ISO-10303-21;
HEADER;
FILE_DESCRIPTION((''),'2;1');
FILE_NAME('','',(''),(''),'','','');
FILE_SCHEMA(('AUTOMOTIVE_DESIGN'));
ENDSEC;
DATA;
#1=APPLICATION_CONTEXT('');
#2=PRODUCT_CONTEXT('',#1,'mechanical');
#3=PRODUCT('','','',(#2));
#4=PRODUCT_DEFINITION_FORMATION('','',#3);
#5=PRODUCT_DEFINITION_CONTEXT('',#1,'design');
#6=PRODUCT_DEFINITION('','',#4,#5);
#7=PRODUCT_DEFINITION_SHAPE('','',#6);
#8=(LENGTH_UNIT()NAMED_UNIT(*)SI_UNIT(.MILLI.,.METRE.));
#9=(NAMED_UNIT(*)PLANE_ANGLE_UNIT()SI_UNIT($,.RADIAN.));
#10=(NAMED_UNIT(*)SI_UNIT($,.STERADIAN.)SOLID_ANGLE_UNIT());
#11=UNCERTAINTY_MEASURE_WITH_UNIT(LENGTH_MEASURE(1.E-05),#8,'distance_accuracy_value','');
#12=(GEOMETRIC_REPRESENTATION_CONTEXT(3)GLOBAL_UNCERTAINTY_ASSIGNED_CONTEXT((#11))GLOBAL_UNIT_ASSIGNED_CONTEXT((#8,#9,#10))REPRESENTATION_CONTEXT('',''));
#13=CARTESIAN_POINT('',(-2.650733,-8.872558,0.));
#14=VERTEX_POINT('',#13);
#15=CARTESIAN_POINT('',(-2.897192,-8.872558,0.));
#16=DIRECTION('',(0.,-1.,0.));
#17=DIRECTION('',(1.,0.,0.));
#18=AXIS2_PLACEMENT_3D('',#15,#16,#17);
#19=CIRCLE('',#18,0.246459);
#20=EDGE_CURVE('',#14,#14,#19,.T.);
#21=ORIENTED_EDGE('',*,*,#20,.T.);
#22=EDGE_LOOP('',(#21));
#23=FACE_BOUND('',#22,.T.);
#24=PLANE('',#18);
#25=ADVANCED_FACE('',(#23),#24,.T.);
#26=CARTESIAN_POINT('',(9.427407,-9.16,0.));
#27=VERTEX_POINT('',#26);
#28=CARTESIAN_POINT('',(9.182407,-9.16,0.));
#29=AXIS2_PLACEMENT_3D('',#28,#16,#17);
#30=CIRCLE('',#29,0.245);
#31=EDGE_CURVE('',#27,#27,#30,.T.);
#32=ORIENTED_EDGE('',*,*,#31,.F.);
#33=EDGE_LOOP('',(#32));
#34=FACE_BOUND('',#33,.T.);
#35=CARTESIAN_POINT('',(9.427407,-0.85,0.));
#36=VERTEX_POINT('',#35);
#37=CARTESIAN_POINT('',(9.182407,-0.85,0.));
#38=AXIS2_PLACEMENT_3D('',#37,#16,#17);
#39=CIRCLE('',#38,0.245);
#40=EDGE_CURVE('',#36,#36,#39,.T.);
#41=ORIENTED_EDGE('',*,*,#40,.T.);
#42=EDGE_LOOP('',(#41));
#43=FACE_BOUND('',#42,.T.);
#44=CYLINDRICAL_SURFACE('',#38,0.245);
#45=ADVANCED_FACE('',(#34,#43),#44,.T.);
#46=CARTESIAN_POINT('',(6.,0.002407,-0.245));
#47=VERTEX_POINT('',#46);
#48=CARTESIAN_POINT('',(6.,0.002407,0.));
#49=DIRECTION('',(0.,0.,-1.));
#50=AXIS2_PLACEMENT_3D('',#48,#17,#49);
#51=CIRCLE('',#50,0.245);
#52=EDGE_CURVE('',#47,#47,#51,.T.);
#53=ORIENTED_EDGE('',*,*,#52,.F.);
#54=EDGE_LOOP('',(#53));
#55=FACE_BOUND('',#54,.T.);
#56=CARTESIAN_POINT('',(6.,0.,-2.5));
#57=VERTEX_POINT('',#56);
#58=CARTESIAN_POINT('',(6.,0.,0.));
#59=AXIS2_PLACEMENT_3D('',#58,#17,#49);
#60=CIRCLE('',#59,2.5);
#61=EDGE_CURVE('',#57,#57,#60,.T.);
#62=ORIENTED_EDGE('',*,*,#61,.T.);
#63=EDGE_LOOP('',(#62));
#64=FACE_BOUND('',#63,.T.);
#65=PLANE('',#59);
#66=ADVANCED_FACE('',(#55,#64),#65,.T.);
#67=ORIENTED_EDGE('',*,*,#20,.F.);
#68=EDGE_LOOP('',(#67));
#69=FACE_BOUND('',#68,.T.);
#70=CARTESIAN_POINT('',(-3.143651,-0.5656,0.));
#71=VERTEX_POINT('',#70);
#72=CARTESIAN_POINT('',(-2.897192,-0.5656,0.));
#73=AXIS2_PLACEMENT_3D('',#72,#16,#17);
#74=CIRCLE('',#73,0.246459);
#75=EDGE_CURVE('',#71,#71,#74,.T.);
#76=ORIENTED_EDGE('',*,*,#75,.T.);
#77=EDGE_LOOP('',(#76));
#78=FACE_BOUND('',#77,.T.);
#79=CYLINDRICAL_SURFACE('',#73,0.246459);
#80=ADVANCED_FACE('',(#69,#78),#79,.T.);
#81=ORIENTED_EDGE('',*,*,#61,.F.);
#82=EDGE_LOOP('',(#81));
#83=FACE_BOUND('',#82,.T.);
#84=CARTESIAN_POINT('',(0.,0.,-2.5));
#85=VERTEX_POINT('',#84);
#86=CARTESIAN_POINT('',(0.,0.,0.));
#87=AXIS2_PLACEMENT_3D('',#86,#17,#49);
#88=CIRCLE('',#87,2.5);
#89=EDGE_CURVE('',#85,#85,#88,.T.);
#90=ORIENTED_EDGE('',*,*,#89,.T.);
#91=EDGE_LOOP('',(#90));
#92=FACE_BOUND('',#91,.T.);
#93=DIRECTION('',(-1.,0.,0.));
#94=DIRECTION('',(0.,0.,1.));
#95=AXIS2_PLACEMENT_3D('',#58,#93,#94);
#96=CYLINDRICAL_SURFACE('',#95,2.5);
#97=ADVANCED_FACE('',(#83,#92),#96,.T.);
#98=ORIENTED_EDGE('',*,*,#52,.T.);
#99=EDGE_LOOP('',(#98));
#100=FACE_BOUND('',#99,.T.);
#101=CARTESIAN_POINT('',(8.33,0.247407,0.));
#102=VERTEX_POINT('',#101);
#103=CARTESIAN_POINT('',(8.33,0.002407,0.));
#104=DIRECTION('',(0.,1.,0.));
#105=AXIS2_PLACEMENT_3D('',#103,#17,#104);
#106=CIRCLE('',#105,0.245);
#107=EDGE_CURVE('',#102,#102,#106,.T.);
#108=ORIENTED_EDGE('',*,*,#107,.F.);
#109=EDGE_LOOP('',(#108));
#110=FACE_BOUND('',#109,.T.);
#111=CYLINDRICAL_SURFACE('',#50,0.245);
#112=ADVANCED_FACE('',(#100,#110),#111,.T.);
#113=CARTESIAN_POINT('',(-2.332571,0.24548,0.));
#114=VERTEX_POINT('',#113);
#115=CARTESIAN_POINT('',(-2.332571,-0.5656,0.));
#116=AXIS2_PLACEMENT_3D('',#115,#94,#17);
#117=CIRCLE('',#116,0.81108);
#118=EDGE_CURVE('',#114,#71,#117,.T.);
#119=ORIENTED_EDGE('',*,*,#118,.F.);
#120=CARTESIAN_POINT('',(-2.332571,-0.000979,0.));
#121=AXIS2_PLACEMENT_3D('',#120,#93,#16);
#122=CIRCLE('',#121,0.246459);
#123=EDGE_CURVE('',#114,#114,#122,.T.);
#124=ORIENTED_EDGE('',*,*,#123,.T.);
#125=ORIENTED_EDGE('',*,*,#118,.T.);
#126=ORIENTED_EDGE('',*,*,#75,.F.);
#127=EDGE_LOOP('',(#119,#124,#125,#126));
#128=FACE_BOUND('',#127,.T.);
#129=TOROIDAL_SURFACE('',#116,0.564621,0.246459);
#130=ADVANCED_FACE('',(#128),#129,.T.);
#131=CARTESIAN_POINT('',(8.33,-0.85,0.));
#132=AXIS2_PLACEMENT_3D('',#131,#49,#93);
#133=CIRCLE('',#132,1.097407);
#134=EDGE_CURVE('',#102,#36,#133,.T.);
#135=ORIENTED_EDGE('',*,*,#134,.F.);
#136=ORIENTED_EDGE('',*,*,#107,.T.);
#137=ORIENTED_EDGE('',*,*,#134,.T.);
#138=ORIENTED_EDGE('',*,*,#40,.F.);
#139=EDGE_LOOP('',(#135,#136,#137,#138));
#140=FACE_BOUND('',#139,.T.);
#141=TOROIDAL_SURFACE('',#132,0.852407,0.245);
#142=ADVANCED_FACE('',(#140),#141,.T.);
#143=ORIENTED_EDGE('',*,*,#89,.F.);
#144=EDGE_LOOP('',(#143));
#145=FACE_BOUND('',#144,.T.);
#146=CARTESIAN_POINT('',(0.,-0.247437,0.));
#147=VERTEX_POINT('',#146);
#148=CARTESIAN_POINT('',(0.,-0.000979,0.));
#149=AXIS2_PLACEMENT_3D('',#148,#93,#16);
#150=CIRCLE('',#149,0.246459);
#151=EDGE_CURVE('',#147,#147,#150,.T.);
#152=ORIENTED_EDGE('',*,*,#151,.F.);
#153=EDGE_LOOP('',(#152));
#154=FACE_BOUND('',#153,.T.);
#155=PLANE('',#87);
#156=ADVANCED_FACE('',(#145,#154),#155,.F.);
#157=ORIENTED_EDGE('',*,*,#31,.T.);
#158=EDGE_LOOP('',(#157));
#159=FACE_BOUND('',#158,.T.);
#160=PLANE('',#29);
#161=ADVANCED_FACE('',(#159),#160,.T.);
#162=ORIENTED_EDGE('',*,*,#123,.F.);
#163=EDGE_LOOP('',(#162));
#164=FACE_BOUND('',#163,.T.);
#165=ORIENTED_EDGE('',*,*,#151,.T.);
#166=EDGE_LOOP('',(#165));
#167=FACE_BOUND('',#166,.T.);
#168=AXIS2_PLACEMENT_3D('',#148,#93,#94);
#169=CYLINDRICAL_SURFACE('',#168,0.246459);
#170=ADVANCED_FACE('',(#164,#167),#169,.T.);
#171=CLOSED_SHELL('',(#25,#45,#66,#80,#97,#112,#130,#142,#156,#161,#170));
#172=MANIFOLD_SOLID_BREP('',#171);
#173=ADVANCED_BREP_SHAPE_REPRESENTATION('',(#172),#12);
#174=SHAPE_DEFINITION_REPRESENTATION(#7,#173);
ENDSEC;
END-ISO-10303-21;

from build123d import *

# Parameters (mm, degrees)
IZIM1_R                     = 2.5
Y_KSEKLIK_EKSTR_ZYON1_DEPTH = 6
IZIM5_R                     = 0.246458924
IZIM7_R                     = 0.245


with BuildPart() as part:
    # Çizim1 → Yükseklik-Ekstrüzyon1 (new body)
    with BuildSketch(Plane(origin=(0, 0, 0), x_dir=(0, 0, -1), z_dir=(1, 0, 0))):
        Circle(IZIM1_R)
    extrude(amount=Y_KSEKLIK_EKSTR_ZYON1_DEPTH)

    # Süpür1: sweep along a path in Çizim4
    with BuildLine(Plane.XY) as s_p_r1_path:
        Line((0, 0), (-2.33257059, 0))
        ThreePointArc((-2.33257059, 0), (-2.732509931, -0.165660299), (-2.89817023, -0.56559964))
        Line((-2.89817023, -0.56559964), (-2.89817023, -8.872558098))
    # Çizim5 → Süpür1 (sweep)
    with BuildSketch(Plane(origin=(-2.89817023, -8.872558098, 0), x_dir=(-1, 0, 0), z_dir=(0, -1, 0))):
        with Locations((-0.000978554, 0)):
            Circle(IZIM5_R)
    sweep(path=s_p_r1_path.line)

    # Süpür2: sweep along a path in Çizim6
    with BuildLine(Plane.XY) as s_p_r2_path:
        Line((6, 0), (8.33, 0))
        ThreePointArc((8.33, 0), (8.931040764, -0.248959236), (9.18, -0.85))
        Line((9.18, -0.85), (9.18, -9.16))
    # Çizim7 → Süpür2 (sweep)
    with BuildSketch(Plane(origin=(9.18, -9.16, 0), x_dir=(-1, 0, 0), z_dir=(0, -1, 0))):
        with Locations((-0.002407495, 0)):
            Circle(IZIM7_R)
    sweep(path=s_p_r2_path.line)


solid = part.part
